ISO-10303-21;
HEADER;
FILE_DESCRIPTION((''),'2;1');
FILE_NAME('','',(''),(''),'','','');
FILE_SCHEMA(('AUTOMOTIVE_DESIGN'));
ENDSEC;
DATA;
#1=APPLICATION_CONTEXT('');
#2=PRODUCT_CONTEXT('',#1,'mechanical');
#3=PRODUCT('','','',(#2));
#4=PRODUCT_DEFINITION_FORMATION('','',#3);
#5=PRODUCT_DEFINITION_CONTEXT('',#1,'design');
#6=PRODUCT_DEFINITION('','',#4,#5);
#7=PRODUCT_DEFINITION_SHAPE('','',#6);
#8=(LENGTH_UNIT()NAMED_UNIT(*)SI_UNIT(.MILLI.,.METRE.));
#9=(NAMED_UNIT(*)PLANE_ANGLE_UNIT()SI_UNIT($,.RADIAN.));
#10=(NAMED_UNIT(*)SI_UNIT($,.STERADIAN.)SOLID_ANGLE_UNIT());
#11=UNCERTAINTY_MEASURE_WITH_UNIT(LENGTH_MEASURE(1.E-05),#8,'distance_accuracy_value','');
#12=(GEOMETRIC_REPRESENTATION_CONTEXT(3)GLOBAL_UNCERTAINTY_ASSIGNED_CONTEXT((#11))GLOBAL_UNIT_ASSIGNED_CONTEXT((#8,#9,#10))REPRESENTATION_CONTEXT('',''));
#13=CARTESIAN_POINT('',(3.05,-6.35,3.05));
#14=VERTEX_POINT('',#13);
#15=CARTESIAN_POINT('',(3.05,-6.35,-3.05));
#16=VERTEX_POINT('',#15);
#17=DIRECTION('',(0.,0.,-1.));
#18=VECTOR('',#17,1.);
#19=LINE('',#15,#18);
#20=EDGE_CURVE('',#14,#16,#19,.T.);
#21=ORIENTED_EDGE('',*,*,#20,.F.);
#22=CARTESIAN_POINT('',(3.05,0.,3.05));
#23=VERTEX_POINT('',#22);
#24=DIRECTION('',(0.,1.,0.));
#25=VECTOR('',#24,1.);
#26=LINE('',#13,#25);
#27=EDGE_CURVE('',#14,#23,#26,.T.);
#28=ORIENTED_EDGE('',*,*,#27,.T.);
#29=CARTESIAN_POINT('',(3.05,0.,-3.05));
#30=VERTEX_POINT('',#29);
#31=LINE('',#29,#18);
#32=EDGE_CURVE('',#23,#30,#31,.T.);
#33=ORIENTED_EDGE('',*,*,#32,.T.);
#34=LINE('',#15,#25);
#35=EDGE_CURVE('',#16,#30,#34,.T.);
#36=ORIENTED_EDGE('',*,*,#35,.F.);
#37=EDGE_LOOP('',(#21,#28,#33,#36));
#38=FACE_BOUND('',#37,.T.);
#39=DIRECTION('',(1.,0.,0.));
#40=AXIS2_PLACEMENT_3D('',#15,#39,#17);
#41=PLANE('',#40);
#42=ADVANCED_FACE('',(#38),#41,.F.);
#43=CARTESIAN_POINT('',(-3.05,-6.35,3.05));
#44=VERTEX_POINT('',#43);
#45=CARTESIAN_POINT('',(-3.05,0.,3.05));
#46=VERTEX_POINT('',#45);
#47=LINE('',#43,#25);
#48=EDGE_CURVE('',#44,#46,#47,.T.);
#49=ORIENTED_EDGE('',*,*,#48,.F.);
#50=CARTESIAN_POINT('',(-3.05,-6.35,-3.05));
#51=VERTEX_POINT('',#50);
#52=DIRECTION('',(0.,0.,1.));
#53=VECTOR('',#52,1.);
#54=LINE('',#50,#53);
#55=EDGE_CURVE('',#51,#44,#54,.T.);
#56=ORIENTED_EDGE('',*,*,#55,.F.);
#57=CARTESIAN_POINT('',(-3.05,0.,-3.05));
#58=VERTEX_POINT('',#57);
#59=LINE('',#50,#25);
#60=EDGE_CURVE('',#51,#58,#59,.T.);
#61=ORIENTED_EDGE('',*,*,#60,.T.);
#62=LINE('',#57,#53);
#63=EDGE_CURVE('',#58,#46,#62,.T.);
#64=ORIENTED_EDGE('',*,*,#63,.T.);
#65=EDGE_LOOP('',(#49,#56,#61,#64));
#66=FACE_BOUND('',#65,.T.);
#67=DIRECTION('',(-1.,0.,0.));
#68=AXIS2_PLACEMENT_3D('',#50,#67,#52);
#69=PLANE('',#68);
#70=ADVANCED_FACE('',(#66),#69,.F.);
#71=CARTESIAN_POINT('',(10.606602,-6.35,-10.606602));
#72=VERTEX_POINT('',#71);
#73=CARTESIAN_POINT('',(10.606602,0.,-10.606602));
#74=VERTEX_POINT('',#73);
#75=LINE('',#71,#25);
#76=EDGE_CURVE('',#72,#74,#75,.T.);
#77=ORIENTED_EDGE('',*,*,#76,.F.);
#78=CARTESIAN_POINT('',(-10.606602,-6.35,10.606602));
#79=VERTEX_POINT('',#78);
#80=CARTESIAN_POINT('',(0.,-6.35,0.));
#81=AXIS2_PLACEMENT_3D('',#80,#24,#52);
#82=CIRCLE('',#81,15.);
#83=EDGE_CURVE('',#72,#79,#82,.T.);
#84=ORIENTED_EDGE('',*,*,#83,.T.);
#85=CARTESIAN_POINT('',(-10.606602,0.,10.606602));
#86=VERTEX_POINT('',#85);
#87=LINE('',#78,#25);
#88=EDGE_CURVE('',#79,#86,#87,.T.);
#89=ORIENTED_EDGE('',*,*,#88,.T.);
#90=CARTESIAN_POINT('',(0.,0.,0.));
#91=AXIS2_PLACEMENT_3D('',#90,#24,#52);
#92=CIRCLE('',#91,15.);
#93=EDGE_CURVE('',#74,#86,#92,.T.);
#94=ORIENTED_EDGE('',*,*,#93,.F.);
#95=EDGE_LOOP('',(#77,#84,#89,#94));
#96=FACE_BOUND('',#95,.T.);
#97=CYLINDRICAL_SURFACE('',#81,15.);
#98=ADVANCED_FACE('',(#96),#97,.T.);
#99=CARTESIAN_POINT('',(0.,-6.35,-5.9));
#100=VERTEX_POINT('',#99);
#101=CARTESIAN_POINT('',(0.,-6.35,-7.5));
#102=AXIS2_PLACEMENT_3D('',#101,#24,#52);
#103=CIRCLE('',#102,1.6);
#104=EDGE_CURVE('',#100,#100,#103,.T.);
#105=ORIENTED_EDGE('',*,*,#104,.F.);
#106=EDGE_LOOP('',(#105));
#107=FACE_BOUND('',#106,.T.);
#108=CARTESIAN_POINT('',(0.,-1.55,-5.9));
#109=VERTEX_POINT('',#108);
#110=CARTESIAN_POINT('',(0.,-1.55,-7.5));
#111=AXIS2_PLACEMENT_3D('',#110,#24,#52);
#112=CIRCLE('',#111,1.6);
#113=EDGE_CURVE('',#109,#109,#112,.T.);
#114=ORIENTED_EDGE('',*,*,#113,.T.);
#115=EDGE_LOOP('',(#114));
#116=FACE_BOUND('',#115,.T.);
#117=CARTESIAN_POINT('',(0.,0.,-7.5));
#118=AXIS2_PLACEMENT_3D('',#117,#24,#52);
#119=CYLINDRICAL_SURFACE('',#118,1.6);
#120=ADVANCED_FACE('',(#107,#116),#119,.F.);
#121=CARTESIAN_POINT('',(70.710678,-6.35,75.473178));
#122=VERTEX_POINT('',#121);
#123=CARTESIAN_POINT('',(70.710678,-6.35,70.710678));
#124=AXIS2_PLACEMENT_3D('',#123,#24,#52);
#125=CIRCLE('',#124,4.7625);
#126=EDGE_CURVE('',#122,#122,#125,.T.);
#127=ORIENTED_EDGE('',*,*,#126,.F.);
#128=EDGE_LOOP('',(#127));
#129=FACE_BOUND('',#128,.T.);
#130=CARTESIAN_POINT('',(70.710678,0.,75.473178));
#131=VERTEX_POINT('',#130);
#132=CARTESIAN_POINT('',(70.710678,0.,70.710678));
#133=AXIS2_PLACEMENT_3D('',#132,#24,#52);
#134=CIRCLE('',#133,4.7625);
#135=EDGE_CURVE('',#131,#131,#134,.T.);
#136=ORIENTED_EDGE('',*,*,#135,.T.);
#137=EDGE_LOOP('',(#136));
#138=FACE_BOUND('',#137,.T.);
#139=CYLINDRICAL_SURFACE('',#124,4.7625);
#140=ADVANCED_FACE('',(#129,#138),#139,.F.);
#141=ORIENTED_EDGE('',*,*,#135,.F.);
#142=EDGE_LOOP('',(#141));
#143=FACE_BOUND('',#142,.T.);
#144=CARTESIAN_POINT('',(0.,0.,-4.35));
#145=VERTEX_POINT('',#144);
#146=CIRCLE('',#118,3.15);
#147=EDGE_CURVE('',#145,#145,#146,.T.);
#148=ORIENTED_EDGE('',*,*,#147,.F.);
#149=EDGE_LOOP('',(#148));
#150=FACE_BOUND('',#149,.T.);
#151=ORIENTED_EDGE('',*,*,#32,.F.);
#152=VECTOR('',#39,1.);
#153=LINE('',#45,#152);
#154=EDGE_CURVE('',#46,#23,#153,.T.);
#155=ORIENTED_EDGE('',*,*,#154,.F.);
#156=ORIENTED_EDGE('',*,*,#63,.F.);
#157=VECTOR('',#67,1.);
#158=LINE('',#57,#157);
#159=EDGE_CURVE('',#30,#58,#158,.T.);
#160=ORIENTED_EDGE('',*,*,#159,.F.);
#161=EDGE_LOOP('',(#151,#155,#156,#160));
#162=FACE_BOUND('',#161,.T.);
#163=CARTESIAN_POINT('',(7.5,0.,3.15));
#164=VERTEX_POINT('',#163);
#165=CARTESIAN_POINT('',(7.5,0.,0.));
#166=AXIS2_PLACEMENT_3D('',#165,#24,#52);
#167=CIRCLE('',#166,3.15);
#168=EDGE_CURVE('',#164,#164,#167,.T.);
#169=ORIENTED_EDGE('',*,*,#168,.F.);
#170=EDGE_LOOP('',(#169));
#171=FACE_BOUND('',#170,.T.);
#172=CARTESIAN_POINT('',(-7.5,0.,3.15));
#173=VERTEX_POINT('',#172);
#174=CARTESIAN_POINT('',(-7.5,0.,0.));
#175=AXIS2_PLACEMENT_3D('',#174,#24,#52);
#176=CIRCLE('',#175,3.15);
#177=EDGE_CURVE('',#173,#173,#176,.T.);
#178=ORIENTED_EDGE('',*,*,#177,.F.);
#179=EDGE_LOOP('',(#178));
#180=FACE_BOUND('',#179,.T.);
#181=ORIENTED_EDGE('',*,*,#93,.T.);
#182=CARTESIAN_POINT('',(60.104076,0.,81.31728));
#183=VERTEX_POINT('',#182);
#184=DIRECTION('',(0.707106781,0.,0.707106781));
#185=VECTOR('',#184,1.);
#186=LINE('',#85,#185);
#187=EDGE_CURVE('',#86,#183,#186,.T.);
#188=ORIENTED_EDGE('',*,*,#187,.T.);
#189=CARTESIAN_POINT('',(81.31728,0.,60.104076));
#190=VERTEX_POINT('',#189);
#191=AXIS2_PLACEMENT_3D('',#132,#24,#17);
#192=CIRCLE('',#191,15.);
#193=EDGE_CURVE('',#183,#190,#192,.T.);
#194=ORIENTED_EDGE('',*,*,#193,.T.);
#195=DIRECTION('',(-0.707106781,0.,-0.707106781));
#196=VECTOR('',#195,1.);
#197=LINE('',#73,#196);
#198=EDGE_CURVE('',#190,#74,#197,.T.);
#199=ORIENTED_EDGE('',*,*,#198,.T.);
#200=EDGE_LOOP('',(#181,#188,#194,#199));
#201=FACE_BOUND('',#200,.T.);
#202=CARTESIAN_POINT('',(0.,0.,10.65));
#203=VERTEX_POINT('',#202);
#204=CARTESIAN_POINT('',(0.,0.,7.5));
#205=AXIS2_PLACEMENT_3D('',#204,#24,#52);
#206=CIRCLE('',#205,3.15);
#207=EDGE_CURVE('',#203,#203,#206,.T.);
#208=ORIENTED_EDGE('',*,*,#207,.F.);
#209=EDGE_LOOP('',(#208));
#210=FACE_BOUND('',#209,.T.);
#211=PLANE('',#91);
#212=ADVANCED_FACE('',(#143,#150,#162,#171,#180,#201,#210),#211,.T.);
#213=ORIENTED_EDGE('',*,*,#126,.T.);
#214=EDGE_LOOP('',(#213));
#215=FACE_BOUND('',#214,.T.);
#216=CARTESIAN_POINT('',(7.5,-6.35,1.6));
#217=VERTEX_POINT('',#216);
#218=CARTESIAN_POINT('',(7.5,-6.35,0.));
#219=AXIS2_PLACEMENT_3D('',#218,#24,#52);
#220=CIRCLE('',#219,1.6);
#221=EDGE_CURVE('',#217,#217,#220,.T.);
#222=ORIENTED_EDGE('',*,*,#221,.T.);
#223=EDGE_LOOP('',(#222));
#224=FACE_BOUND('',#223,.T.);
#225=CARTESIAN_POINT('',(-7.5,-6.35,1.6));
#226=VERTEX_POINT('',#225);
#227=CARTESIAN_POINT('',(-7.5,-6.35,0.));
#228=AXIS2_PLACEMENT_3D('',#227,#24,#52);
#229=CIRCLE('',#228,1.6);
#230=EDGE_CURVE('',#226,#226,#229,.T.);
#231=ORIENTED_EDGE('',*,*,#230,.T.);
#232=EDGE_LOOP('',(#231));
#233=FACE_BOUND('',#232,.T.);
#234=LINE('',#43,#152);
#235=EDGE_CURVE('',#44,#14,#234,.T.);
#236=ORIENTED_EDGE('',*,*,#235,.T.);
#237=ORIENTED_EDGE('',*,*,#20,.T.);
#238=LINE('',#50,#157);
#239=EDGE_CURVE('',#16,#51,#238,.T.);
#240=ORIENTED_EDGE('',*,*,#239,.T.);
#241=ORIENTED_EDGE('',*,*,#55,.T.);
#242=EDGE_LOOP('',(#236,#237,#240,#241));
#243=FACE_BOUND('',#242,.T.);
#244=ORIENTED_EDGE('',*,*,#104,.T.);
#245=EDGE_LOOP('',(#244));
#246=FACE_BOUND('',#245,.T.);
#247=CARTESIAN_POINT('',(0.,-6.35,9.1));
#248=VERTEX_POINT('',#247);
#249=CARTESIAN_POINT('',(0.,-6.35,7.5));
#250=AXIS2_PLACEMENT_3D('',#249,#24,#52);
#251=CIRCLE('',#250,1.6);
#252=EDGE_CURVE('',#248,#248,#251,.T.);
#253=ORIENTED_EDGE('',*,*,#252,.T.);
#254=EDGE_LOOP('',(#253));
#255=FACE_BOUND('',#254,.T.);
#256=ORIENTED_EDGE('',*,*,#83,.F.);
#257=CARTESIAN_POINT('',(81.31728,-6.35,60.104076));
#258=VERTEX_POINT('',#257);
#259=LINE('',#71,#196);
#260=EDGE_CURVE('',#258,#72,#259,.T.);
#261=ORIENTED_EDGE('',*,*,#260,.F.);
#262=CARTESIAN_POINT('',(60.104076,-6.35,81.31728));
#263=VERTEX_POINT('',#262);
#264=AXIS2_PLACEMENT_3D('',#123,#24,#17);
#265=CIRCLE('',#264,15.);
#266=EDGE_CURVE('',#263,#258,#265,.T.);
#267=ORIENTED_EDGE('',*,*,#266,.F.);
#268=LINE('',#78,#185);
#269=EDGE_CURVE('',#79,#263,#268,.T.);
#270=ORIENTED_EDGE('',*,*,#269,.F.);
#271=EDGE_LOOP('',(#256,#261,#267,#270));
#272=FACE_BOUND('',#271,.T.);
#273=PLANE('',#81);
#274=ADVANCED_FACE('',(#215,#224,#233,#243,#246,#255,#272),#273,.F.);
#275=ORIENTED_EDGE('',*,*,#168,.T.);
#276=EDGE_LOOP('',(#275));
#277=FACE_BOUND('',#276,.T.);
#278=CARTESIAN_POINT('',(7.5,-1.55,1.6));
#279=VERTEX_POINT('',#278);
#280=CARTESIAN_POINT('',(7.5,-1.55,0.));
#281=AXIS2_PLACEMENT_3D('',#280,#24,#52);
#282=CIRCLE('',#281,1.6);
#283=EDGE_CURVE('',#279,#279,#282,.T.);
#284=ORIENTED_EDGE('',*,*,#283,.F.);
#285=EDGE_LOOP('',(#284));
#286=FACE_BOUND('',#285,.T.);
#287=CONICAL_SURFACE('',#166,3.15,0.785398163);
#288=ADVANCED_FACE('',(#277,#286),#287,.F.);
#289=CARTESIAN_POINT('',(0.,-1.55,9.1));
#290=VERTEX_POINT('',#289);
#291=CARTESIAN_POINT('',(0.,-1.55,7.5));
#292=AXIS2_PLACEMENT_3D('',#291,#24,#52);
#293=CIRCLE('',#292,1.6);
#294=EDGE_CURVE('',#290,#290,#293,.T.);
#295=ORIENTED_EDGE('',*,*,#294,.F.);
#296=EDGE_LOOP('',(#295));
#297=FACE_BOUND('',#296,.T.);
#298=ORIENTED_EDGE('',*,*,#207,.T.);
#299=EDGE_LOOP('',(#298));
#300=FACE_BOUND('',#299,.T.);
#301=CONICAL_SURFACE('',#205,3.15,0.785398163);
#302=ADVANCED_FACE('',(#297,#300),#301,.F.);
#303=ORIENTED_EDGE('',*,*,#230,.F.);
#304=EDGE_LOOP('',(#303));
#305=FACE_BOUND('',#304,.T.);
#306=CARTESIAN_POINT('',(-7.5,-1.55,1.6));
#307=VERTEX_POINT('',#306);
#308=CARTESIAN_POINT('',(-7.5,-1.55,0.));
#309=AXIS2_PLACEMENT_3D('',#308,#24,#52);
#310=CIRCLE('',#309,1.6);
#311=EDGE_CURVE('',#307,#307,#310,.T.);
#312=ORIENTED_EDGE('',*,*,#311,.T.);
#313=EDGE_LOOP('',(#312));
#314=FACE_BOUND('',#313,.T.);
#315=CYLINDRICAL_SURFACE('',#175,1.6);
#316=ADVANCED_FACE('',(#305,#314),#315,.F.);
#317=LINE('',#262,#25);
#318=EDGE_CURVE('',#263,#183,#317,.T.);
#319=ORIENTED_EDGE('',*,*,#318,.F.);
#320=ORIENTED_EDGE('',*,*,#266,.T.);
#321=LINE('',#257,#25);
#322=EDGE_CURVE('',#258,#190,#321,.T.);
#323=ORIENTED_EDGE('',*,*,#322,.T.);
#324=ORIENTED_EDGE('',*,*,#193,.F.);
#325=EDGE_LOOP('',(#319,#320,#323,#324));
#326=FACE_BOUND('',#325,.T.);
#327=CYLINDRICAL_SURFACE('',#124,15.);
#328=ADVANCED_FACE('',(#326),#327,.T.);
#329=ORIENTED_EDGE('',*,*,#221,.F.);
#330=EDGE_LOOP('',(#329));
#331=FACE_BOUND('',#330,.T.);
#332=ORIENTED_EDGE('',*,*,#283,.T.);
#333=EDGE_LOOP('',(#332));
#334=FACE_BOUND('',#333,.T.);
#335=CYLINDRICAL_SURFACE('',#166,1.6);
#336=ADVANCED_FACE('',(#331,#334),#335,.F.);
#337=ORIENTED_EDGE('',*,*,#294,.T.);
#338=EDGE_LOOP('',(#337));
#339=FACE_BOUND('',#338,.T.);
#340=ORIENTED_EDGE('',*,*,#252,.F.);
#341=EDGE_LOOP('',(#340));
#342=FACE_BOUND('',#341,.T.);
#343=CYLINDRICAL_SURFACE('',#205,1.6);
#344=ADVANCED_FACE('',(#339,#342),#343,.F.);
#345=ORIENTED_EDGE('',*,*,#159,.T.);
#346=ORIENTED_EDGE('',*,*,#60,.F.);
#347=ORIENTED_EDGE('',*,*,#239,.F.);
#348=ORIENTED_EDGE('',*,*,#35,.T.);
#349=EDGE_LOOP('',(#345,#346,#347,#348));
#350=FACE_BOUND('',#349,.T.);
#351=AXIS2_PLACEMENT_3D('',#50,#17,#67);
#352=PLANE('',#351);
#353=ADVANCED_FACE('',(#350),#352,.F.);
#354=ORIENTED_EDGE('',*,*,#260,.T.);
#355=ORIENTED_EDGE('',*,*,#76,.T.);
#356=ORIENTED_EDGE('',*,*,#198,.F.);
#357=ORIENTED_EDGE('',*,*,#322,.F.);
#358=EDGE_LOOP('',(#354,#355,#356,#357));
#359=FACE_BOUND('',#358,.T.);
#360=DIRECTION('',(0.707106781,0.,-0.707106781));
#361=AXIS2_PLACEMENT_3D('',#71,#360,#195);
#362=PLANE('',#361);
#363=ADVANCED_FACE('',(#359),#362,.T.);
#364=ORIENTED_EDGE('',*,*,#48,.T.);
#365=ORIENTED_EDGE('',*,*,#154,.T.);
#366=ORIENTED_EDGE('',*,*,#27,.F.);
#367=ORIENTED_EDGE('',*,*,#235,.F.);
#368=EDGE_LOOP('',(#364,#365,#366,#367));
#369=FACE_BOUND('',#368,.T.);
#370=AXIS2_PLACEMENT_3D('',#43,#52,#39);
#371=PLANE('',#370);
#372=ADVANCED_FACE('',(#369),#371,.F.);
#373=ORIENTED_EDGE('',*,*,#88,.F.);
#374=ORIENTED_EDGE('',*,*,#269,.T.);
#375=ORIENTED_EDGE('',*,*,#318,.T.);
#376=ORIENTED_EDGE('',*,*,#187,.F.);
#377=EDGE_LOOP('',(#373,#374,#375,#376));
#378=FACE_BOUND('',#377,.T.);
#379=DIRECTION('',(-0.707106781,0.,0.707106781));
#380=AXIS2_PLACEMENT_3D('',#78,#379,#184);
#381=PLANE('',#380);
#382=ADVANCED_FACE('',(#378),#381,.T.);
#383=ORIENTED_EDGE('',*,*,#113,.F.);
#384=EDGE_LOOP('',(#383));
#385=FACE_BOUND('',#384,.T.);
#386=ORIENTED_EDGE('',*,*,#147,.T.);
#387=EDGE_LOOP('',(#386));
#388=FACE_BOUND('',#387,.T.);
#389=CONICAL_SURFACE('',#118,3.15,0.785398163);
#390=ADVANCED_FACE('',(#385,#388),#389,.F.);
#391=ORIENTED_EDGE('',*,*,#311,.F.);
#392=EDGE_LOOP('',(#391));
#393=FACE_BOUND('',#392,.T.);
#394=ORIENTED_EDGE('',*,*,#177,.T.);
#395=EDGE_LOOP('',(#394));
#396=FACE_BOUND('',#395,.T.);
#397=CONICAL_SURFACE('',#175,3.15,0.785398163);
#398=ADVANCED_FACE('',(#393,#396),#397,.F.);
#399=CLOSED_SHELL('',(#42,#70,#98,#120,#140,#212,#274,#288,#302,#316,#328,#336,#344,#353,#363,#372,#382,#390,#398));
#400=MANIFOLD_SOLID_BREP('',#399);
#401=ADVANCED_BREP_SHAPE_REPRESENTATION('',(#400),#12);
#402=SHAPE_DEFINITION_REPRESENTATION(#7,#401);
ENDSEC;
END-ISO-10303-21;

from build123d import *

# Parameters (mm, degrees)
SKETCH2_R                                       = 4.7625
SKETCH2_W                                       = 6.1
SKETCH2_H                                       = 6.1
BOSS_EXTRUDE1_DEPTH                             = 6.35
CSK_FOR_M3_FLAT_HEAD_MACHINE_SCREW1_D           = 3.2
CSK_FOR_M3_FLAT_HEAD_MACHINE_SCREW1_CSINK_D     = 6.3
CSK_FOR_M3_FLAT_HEAD_MACHINE_SCREW1_CSINK_ANGLE = 90


with BuildPart() as part:
    # Sketch2 → Boss-Extrude1 (new body)
    with BuildSketch(Plane(origin=(0, 0, 0), x_dir=(1, 0, 0), z_dir=(0, 1, 0))):
        with BuildLine():
            Line((10.606601718, 10.606601718), (81.317279836, -60.104076401))
            ThreePointArc((81.317279836, -60.104076401), (81.317279836, -81.317279836), (60.104076401, -81.317279836))
            Line((60.104076401, -81.317279836), (-10.606601718, -10.606601718))
            ThreePointArc((-10.606601718, -10.606601718), (-10.606601718, 10.606601718), (10.606601718, 10.606601718))
        make_face()
        with Locations(Location((70.710678119, -70.710678119, 0), (0, 0, 270))):
            Circle(SKETCH2_R, mode=Mode.SUBTRACT)
        Rectangle(SKETCH2_W, SKETCH2_H, mode=Mode.SUBTRACT)
    extrude(amount=-BOSS_EXTRUDE1_DEPTH)

    # CSK for M3 Flat Head Machine Screw1 (through all)
    with Locations(Plane(origin=(0, 0, -7.5), x_dir=(0, 0, 1), z_dir=(0, 1, 0))):
        with Locations((0, 0), (7.5, -7.5), (7.5, 7.5), (15, 0)):
            CounterSinkHole(CSK_FOR_M3_FLAT_HEAD_MACHINE_SCREW1_D / 2, CSK_FOR_M3_FLAT_HEAD_MACHINE_SCREW1_CSINK_D / 2, counter_sink_angle=CSK_FOR_M3_FLAT_HEAD_MACHINE_SCREW1_CSINK_ANGLE)


solid = part.part
